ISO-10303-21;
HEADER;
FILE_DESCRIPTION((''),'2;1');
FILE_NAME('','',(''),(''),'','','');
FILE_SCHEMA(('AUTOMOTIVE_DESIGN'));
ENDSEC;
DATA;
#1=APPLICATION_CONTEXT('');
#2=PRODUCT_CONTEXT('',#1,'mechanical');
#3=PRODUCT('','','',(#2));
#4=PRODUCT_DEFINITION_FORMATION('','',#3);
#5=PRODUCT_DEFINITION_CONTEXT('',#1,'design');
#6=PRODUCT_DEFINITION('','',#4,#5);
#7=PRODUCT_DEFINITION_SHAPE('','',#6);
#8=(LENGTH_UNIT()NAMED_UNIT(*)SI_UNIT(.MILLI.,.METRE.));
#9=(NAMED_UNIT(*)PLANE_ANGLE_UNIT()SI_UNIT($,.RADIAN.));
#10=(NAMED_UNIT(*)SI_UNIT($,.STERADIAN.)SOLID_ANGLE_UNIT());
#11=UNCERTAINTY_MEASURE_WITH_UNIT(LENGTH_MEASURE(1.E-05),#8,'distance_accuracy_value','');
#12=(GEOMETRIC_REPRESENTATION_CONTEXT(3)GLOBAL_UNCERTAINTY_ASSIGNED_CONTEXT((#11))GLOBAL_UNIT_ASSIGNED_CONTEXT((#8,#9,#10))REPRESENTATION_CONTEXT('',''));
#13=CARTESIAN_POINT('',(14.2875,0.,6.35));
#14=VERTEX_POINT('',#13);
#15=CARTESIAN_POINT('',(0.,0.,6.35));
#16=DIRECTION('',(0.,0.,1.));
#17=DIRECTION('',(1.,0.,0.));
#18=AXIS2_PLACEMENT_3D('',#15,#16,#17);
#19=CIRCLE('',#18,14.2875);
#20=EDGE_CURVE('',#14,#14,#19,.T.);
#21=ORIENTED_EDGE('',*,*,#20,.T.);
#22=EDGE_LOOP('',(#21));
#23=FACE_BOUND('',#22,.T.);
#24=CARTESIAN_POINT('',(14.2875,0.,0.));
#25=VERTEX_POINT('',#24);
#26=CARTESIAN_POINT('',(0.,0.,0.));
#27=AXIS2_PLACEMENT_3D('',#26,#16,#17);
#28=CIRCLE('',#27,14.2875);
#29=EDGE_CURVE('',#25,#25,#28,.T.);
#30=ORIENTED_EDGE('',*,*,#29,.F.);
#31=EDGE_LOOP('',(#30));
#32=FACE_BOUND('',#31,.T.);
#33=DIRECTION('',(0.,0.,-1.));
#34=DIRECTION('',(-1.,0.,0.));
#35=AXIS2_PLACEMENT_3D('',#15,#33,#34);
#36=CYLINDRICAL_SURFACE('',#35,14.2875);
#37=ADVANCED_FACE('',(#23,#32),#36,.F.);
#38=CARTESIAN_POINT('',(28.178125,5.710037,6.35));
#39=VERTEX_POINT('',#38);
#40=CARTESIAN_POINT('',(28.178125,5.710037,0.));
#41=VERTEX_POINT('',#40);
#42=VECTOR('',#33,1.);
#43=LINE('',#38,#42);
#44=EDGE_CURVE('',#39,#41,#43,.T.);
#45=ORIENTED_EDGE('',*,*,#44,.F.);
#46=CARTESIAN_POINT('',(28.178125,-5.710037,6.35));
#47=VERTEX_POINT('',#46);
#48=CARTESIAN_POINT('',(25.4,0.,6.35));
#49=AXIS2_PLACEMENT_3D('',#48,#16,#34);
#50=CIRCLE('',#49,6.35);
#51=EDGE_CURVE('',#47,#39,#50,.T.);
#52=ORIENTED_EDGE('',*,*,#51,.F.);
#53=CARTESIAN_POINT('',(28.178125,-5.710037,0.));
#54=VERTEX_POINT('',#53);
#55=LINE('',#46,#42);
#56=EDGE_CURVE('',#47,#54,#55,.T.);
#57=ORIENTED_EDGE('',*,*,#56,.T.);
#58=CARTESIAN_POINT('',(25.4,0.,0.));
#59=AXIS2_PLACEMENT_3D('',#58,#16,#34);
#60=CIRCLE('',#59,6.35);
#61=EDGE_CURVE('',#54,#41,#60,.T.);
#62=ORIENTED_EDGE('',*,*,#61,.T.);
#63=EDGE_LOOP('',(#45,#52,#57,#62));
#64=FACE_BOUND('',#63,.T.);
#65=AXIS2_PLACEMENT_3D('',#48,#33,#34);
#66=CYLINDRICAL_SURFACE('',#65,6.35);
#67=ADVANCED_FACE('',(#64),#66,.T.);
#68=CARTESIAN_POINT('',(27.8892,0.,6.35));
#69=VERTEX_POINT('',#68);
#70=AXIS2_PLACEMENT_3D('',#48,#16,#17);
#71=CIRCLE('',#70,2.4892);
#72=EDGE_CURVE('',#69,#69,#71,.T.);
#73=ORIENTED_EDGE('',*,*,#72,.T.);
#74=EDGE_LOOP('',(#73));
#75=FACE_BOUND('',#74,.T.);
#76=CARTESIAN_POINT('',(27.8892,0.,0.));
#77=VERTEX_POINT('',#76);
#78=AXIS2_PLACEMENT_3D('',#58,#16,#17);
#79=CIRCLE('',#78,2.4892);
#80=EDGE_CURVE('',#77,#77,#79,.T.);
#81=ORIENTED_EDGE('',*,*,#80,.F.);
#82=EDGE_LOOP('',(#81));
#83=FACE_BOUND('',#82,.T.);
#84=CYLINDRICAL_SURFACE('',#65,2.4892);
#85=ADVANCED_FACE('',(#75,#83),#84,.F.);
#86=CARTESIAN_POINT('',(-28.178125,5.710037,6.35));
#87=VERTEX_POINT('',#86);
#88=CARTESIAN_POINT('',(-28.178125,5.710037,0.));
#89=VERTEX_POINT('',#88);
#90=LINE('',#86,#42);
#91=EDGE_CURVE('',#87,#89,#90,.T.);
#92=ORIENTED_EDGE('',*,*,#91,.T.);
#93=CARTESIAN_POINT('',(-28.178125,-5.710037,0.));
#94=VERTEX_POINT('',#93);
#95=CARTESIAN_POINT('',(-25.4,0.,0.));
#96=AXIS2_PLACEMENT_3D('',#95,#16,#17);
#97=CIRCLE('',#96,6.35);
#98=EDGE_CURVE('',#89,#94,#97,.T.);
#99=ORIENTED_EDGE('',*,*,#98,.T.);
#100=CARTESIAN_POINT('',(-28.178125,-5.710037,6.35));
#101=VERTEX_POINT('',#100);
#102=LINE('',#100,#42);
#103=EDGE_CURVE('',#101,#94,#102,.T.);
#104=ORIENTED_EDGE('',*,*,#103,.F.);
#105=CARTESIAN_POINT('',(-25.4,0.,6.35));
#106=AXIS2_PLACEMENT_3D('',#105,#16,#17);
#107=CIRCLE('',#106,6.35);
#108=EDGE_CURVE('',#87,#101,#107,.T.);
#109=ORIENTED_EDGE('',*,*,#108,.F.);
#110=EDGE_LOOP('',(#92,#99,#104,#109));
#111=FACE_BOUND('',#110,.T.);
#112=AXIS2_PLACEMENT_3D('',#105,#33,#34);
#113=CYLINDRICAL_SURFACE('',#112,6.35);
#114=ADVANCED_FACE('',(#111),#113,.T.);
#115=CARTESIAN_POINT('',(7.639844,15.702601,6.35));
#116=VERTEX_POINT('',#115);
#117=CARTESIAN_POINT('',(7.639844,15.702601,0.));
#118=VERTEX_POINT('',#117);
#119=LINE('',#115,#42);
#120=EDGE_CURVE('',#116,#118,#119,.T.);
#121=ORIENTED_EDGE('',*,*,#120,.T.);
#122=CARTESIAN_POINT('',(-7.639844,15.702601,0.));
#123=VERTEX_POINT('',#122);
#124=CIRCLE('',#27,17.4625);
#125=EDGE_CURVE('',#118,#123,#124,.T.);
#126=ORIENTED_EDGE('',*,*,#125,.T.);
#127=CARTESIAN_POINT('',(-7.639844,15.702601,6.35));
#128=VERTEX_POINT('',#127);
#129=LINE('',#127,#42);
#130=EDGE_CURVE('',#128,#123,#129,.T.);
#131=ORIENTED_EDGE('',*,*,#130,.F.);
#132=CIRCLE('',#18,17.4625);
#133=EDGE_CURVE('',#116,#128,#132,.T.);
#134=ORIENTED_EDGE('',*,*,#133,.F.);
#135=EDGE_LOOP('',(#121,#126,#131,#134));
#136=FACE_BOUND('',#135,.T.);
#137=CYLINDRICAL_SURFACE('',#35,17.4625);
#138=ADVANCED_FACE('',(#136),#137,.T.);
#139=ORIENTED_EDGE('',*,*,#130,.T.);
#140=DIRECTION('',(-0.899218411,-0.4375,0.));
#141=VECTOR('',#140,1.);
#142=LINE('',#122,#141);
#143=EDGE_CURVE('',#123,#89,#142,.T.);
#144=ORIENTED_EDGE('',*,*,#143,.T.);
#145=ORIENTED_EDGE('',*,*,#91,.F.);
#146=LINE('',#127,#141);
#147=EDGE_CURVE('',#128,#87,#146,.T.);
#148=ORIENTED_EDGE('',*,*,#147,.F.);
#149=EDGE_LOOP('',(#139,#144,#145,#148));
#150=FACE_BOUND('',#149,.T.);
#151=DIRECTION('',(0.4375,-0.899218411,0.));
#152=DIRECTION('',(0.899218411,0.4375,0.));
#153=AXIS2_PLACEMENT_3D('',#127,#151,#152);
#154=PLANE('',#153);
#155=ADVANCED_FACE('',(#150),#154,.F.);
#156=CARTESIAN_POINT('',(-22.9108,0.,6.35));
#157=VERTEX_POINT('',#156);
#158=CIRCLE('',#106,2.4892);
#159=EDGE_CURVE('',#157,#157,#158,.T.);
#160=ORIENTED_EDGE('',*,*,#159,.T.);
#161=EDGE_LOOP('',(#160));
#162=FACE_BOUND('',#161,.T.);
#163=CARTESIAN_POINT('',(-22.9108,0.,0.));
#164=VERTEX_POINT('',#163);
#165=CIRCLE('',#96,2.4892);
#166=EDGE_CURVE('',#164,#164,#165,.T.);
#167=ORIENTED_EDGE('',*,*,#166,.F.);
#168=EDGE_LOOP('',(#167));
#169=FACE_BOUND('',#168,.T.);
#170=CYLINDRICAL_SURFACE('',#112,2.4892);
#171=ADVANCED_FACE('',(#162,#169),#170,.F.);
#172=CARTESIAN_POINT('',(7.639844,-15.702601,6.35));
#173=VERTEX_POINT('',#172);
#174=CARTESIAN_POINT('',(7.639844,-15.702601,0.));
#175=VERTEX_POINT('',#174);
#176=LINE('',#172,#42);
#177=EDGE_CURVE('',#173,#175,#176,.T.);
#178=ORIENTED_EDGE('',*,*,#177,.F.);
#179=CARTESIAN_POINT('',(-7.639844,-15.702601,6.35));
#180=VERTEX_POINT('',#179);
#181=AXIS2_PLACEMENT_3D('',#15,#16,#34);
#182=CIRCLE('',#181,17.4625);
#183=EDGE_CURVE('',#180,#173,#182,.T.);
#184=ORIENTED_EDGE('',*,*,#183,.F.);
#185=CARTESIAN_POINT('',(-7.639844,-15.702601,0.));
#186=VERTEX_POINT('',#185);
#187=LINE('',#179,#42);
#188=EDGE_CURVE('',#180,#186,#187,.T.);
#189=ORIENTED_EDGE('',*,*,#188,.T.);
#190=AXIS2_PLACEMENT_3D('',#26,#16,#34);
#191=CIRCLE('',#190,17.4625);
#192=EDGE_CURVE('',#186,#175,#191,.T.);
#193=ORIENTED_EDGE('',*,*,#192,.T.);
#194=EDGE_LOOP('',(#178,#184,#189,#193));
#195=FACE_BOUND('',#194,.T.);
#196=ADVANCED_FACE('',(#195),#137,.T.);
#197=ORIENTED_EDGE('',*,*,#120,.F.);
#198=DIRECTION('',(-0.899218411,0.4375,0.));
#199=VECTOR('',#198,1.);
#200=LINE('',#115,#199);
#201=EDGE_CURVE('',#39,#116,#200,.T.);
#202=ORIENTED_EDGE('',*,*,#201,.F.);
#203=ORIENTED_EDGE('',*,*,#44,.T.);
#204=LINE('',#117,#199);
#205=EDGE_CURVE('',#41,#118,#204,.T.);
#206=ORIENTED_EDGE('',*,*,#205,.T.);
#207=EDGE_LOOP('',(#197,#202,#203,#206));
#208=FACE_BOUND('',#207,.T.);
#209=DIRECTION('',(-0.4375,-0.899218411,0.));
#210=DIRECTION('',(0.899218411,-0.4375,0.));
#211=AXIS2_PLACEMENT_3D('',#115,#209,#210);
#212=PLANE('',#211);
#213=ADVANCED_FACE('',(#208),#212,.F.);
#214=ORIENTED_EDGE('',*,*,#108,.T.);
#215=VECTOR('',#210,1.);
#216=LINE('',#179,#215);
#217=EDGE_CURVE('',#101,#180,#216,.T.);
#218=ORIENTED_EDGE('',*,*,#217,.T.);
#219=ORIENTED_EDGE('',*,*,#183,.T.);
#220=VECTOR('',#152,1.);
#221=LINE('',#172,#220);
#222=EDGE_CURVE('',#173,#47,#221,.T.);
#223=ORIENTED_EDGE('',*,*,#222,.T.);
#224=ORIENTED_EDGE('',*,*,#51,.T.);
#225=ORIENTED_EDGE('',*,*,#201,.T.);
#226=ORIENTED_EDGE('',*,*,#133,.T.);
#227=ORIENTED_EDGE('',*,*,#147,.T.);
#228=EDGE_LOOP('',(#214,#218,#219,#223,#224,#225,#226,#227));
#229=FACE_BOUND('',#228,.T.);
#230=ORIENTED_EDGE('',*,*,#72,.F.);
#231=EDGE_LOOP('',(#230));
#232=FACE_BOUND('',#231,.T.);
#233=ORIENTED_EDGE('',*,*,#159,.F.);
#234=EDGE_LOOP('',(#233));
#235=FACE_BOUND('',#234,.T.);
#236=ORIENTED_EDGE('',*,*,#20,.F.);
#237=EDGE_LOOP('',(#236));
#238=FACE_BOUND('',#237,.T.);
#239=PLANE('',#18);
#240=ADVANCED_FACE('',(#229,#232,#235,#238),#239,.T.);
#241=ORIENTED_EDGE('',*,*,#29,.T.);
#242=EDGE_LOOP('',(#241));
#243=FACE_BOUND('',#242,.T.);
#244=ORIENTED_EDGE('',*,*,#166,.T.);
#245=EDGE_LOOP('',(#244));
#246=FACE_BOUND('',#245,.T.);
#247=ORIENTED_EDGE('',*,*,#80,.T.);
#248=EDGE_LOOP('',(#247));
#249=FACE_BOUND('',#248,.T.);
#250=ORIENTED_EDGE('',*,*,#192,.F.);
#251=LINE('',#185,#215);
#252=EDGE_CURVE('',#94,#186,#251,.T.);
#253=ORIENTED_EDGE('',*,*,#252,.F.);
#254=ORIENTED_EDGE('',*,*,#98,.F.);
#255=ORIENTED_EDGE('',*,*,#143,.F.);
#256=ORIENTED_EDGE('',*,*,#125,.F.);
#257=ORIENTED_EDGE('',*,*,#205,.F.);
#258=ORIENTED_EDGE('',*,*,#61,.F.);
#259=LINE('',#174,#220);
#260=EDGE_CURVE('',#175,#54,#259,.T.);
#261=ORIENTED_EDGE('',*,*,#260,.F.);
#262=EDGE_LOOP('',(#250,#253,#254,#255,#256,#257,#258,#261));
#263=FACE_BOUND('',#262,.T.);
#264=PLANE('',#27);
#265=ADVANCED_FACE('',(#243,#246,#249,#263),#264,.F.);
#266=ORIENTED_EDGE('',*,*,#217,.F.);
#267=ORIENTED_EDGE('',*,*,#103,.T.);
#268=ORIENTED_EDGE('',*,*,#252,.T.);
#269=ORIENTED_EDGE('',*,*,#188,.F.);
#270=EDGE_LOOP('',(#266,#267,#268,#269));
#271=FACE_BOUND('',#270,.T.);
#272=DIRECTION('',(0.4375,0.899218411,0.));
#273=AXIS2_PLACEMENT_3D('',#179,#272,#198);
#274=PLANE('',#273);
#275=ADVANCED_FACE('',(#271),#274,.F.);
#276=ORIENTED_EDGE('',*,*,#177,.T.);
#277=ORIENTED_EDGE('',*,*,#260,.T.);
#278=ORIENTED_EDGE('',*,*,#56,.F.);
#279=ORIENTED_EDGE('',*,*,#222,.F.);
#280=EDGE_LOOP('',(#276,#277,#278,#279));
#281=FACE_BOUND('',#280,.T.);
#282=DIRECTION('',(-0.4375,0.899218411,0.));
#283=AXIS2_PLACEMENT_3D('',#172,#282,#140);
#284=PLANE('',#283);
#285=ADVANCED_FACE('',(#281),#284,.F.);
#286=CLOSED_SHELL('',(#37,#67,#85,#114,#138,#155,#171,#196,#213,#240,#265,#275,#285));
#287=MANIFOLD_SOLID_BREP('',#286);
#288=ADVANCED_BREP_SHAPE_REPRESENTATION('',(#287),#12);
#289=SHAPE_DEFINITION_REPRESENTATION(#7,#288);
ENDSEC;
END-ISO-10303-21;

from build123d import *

# Parameters (mm, degrees)
SKETCH2_R           = 14.2875
SKETCH2_R_2         = 2.4892
BOSS_EXTRUDE1_DEPTH = 6.35


with BuildPart() as part:
    # Sketch2 → Boss-Extrude1 (new body)
    with BuildSketch(Plane.XY):
        with BuildLine():
            Line((7.63984375, 15.702601495), (28.178125, 5.710036907))
            ThreePointArc((28.178125, 5.710036907), (31.75, 0), (28.178125, -5.710036907))
            Line((28.178125, -5.710036907), (7.63984375, -15.702601495))
            ThreePointArc((7.63984375, -15.702601495), (0, -17.4625), (-7.63984375, -15.702601495))
            Line((-7.63984375, -15.702601495), (-28.178125, -5.710036907))
            ThreePointArc((-28.178125, -5.710036907), (-31.75, 0), (-28.178125, 5.710036907))
            Line((-28.178125, 5.710036907), (-7.63984375, 15.702601495))
            ThreePointArc((-7.63984375, 15.702601495), (0, 17.4625), (7.63984375, 15.702601495))
        make_face()
        Circle(SKETCH2_R, mode=Mode.SUBTRACT)
        with Locations((-25.4, 0)):
            Circle(SKETCH2_R_2, mode=Mode.SUBTRACT)
        with Locations((25.4, 0)):
            Circle(SKETCH2_R_2, mode=Mode.SUBTRACT)
    extrude(amount=BOSS_EXTRUDE1_DEPTH)


solid = part.part
